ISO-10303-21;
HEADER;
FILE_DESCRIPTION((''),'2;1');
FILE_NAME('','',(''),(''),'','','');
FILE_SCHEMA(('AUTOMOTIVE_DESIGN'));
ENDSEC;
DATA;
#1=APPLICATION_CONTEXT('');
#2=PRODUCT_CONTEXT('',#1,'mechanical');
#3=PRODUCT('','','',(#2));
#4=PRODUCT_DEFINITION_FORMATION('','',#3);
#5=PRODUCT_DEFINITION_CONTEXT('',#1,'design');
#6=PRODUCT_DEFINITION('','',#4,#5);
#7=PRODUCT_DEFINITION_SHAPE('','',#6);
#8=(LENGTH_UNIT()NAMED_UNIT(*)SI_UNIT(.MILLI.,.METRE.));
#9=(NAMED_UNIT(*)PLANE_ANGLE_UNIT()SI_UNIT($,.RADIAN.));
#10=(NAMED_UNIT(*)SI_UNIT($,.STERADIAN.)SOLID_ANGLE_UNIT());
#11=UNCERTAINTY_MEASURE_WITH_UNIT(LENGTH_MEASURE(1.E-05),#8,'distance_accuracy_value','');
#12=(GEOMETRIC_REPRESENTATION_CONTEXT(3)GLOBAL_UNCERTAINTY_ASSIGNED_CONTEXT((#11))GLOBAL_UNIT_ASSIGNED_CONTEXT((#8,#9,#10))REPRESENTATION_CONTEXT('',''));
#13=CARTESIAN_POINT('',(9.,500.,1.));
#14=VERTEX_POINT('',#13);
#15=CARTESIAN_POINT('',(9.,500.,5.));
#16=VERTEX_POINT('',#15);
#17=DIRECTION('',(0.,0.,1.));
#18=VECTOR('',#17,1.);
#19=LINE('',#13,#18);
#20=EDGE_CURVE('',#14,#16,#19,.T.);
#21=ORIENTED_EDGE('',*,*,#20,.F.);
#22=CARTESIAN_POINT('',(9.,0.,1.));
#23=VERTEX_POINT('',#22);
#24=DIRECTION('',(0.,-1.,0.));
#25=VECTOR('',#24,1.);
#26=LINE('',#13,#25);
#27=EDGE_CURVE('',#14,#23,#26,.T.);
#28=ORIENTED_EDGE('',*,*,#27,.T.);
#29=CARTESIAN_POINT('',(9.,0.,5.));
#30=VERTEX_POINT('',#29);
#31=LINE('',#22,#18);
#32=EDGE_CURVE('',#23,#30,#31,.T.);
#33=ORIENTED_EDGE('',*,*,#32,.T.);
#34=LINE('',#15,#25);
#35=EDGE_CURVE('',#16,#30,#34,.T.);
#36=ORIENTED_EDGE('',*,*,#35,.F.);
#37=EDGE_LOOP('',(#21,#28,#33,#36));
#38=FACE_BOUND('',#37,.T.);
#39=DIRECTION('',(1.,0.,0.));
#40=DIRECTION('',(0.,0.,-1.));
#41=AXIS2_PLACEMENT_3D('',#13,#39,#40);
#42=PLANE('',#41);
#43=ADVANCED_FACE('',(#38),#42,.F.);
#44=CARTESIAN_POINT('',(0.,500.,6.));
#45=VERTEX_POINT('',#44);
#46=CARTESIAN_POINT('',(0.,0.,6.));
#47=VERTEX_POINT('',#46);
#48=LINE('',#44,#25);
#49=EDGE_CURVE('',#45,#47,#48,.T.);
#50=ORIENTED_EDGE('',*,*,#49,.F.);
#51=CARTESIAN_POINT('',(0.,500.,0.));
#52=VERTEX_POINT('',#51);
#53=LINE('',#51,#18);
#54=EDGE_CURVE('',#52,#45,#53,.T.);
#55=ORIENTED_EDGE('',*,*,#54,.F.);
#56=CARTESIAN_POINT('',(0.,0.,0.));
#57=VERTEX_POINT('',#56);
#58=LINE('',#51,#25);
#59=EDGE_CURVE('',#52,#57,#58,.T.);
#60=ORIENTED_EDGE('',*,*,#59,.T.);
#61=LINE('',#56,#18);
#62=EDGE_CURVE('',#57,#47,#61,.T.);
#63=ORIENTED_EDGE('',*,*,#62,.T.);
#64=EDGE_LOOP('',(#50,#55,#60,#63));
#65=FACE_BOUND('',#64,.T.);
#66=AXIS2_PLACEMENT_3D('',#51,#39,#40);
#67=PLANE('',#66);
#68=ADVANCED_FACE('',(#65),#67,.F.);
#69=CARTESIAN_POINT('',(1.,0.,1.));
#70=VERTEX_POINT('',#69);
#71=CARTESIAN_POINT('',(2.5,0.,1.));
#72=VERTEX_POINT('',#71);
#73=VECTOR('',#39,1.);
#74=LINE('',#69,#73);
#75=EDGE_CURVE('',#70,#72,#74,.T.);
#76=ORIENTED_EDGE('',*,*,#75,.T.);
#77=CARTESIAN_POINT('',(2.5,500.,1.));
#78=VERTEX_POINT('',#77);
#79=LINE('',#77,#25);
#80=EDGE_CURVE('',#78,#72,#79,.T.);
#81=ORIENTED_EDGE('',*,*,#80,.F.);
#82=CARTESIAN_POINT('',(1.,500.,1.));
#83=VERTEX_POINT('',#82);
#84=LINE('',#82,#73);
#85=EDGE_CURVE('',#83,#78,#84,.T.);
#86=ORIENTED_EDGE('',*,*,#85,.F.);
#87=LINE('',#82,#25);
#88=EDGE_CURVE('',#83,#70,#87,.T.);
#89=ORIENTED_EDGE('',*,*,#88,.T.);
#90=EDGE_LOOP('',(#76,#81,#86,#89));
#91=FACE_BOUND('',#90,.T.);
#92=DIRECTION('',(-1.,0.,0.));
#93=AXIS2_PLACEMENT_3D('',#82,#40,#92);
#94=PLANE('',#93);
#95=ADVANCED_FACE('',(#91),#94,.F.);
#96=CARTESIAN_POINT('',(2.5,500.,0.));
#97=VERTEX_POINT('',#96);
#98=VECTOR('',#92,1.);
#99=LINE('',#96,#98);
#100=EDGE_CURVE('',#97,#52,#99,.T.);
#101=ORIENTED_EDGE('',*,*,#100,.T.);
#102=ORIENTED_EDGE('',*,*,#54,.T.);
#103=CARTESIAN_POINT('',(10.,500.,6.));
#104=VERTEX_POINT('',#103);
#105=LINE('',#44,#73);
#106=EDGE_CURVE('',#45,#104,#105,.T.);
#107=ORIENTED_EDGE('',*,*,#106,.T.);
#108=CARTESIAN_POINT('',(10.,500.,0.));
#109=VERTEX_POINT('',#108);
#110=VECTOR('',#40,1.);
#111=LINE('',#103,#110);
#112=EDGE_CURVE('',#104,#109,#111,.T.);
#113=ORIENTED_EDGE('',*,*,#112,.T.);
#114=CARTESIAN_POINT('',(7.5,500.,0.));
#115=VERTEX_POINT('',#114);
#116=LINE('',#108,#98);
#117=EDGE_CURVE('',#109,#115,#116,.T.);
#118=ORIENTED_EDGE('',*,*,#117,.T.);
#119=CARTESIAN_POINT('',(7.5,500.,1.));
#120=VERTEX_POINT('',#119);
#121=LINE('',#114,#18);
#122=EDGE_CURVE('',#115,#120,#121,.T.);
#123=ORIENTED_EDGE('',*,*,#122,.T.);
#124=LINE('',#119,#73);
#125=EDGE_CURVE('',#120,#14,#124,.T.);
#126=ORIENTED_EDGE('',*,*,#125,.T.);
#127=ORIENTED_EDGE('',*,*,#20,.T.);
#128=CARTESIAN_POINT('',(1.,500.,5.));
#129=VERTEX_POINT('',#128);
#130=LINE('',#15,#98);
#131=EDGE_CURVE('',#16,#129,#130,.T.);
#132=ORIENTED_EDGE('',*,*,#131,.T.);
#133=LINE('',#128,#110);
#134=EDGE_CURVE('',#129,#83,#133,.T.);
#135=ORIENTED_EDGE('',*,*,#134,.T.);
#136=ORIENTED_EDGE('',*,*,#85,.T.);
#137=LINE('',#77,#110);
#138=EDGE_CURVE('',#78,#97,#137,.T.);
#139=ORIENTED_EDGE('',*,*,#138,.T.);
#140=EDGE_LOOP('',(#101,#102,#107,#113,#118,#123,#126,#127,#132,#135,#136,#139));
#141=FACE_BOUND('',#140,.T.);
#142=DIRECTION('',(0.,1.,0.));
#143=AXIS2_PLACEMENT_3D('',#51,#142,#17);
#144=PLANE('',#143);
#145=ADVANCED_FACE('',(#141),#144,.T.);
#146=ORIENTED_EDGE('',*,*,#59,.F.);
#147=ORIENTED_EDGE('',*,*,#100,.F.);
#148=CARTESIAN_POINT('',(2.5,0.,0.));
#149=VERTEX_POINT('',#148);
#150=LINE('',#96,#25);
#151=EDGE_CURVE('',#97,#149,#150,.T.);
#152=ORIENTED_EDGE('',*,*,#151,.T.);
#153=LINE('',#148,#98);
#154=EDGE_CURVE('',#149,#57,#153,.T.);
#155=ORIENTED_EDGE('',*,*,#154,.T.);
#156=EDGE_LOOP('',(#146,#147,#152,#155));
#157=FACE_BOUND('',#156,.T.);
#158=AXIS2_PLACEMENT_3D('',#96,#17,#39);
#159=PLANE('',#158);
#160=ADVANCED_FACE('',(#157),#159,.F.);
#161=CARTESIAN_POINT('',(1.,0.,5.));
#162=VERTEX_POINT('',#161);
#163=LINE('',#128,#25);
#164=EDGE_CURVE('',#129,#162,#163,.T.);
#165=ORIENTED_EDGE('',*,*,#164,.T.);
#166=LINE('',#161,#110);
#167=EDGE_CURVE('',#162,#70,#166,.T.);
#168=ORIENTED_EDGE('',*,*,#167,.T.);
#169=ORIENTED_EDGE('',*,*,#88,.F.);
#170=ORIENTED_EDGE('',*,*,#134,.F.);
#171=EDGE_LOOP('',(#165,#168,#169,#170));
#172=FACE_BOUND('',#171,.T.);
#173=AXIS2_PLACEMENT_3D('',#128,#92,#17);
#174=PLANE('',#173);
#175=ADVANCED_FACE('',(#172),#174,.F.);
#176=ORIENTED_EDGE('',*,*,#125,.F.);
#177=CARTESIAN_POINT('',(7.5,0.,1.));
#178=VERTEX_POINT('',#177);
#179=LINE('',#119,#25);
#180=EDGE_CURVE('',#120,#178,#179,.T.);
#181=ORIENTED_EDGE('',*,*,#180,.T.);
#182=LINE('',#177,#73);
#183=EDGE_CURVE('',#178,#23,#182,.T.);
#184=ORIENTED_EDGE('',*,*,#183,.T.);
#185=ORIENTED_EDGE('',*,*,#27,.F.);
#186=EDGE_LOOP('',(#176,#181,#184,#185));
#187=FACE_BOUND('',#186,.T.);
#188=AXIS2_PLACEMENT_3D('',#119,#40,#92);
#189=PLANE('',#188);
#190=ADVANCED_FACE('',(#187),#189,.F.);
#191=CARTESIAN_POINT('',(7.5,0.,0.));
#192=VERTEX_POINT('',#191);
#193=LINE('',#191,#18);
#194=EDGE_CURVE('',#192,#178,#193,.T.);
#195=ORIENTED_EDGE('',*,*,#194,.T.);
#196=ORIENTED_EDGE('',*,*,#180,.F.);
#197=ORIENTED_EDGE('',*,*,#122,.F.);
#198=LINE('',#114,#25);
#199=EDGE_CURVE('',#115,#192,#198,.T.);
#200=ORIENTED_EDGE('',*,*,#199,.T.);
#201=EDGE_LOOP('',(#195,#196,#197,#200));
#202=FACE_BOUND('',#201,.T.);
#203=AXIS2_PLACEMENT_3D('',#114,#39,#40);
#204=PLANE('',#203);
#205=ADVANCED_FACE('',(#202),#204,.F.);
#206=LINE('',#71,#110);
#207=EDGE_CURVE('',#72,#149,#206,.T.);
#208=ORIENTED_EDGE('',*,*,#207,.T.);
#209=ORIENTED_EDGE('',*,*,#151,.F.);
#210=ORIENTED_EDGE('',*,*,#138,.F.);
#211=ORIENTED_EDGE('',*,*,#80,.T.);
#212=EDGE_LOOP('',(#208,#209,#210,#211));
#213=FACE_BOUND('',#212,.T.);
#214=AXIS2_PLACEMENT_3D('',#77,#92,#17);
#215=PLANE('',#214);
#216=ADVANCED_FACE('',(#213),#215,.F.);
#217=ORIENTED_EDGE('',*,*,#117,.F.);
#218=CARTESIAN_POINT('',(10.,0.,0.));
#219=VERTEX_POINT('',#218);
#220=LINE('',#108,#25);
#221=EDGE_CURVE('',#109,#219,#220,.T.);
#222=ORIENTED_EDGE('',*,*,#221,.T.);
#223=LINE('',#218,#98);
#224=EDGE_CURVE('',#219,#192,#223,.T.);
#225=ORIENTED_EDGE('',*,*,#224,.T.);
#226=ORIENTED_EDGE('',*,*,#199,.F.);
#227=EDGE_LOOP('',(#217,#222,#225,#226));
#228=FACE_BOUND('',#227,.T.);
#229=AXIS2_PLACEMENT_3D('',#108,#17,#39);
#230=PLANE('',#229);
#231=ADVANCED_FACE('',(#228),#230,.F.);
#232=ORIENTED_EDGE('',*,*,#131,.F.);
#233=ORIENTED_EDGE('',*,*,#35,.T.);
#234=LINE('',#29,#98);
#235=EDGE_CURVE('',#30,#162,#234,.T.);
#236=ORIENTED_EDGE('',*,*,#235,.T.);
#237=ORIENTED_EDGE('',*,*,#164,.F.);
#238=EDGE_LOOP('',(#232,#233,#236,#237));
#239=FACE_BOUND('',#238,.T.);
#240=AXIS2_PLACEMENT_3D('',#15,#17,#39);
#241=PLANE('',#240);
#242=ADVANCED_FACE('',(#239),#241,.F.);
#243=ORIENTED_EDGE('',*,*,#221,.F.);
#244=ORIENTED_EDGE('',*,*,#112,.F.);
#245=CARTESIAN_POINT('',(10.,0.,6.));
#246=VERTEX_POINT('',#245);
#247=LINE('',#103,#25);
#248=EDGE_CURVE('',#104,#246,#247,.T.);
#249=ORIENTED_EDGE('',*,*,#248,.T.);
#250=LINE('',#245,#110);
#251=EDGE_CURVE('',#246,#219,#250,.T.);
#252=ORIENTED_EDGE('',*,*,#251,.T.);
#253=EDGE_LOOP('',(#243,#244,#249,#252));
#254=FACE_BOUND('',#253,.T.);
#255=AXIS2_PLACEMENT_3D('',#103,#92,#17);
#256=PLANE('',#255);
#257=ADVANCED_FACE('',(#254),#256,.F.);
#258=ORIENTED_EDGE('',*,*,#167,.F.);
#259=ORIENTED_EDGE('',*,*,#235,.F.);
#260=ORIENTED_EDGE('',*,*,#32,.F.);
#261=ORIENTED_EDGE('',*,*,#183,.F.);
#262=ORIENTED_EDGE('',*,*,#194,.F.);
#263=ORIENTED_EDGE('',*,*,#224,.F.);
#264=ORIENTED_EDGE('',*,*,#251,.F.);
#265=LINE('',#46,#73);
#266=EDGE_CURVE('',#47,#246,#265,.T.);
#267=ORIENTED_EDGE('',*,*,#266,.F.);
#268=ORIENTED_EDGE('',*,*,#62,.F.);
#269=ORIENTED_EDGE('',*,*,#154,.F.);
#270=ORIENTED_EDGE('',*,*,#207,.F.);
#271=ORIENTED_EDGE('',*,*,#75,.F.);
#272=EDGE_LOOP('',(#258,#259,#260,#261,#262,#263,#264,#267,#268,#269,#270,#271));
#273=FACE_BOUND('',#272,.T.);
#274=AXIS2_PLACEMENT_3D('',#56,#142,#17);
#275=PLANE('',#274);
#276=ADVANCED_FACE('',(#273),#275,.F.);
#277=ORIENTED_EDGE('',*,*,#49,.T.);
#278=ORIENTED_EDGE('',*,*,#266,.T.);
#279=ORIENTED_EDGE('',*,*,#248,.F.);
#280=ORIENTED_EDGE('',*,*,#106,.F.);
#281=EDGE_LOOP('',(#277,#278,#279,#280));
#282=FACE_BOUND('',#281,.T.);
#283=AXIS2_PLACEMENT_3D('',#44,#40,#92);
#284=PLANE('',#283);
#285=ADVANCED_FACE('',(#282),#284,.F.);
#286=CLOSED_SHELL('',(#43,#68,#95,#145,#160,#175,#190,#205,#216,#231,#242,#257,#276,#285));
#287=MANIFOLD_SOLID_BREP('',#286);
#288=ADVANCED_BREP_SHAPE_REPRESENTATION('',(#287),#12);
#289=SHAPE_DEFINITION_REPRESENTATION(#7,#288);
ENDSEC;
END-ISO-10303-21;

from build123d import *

# Parameters (mm, degrees)
EXTRUDE_1_DEPTH = 500


with BuildPart() as part:
    # 草图1 → 凸台-拉伸1 (new body)
    with BuildSketch(Plane(origin=(0, 0, 0), x_dir=(1, 0, 0), z_dir=(0, 1, 0))):
        Polygon((0, -6), (10, -6), (10, 0), (7.5, 0), (7.5, -1), (9, -1), (9, -5), (1, -5), (1, -1), (2.5, -1), (2.5, 0), (0, 0), align=None)
    extrude(amount=EXTRUDE_1_DEPTH)


solid = part.part
